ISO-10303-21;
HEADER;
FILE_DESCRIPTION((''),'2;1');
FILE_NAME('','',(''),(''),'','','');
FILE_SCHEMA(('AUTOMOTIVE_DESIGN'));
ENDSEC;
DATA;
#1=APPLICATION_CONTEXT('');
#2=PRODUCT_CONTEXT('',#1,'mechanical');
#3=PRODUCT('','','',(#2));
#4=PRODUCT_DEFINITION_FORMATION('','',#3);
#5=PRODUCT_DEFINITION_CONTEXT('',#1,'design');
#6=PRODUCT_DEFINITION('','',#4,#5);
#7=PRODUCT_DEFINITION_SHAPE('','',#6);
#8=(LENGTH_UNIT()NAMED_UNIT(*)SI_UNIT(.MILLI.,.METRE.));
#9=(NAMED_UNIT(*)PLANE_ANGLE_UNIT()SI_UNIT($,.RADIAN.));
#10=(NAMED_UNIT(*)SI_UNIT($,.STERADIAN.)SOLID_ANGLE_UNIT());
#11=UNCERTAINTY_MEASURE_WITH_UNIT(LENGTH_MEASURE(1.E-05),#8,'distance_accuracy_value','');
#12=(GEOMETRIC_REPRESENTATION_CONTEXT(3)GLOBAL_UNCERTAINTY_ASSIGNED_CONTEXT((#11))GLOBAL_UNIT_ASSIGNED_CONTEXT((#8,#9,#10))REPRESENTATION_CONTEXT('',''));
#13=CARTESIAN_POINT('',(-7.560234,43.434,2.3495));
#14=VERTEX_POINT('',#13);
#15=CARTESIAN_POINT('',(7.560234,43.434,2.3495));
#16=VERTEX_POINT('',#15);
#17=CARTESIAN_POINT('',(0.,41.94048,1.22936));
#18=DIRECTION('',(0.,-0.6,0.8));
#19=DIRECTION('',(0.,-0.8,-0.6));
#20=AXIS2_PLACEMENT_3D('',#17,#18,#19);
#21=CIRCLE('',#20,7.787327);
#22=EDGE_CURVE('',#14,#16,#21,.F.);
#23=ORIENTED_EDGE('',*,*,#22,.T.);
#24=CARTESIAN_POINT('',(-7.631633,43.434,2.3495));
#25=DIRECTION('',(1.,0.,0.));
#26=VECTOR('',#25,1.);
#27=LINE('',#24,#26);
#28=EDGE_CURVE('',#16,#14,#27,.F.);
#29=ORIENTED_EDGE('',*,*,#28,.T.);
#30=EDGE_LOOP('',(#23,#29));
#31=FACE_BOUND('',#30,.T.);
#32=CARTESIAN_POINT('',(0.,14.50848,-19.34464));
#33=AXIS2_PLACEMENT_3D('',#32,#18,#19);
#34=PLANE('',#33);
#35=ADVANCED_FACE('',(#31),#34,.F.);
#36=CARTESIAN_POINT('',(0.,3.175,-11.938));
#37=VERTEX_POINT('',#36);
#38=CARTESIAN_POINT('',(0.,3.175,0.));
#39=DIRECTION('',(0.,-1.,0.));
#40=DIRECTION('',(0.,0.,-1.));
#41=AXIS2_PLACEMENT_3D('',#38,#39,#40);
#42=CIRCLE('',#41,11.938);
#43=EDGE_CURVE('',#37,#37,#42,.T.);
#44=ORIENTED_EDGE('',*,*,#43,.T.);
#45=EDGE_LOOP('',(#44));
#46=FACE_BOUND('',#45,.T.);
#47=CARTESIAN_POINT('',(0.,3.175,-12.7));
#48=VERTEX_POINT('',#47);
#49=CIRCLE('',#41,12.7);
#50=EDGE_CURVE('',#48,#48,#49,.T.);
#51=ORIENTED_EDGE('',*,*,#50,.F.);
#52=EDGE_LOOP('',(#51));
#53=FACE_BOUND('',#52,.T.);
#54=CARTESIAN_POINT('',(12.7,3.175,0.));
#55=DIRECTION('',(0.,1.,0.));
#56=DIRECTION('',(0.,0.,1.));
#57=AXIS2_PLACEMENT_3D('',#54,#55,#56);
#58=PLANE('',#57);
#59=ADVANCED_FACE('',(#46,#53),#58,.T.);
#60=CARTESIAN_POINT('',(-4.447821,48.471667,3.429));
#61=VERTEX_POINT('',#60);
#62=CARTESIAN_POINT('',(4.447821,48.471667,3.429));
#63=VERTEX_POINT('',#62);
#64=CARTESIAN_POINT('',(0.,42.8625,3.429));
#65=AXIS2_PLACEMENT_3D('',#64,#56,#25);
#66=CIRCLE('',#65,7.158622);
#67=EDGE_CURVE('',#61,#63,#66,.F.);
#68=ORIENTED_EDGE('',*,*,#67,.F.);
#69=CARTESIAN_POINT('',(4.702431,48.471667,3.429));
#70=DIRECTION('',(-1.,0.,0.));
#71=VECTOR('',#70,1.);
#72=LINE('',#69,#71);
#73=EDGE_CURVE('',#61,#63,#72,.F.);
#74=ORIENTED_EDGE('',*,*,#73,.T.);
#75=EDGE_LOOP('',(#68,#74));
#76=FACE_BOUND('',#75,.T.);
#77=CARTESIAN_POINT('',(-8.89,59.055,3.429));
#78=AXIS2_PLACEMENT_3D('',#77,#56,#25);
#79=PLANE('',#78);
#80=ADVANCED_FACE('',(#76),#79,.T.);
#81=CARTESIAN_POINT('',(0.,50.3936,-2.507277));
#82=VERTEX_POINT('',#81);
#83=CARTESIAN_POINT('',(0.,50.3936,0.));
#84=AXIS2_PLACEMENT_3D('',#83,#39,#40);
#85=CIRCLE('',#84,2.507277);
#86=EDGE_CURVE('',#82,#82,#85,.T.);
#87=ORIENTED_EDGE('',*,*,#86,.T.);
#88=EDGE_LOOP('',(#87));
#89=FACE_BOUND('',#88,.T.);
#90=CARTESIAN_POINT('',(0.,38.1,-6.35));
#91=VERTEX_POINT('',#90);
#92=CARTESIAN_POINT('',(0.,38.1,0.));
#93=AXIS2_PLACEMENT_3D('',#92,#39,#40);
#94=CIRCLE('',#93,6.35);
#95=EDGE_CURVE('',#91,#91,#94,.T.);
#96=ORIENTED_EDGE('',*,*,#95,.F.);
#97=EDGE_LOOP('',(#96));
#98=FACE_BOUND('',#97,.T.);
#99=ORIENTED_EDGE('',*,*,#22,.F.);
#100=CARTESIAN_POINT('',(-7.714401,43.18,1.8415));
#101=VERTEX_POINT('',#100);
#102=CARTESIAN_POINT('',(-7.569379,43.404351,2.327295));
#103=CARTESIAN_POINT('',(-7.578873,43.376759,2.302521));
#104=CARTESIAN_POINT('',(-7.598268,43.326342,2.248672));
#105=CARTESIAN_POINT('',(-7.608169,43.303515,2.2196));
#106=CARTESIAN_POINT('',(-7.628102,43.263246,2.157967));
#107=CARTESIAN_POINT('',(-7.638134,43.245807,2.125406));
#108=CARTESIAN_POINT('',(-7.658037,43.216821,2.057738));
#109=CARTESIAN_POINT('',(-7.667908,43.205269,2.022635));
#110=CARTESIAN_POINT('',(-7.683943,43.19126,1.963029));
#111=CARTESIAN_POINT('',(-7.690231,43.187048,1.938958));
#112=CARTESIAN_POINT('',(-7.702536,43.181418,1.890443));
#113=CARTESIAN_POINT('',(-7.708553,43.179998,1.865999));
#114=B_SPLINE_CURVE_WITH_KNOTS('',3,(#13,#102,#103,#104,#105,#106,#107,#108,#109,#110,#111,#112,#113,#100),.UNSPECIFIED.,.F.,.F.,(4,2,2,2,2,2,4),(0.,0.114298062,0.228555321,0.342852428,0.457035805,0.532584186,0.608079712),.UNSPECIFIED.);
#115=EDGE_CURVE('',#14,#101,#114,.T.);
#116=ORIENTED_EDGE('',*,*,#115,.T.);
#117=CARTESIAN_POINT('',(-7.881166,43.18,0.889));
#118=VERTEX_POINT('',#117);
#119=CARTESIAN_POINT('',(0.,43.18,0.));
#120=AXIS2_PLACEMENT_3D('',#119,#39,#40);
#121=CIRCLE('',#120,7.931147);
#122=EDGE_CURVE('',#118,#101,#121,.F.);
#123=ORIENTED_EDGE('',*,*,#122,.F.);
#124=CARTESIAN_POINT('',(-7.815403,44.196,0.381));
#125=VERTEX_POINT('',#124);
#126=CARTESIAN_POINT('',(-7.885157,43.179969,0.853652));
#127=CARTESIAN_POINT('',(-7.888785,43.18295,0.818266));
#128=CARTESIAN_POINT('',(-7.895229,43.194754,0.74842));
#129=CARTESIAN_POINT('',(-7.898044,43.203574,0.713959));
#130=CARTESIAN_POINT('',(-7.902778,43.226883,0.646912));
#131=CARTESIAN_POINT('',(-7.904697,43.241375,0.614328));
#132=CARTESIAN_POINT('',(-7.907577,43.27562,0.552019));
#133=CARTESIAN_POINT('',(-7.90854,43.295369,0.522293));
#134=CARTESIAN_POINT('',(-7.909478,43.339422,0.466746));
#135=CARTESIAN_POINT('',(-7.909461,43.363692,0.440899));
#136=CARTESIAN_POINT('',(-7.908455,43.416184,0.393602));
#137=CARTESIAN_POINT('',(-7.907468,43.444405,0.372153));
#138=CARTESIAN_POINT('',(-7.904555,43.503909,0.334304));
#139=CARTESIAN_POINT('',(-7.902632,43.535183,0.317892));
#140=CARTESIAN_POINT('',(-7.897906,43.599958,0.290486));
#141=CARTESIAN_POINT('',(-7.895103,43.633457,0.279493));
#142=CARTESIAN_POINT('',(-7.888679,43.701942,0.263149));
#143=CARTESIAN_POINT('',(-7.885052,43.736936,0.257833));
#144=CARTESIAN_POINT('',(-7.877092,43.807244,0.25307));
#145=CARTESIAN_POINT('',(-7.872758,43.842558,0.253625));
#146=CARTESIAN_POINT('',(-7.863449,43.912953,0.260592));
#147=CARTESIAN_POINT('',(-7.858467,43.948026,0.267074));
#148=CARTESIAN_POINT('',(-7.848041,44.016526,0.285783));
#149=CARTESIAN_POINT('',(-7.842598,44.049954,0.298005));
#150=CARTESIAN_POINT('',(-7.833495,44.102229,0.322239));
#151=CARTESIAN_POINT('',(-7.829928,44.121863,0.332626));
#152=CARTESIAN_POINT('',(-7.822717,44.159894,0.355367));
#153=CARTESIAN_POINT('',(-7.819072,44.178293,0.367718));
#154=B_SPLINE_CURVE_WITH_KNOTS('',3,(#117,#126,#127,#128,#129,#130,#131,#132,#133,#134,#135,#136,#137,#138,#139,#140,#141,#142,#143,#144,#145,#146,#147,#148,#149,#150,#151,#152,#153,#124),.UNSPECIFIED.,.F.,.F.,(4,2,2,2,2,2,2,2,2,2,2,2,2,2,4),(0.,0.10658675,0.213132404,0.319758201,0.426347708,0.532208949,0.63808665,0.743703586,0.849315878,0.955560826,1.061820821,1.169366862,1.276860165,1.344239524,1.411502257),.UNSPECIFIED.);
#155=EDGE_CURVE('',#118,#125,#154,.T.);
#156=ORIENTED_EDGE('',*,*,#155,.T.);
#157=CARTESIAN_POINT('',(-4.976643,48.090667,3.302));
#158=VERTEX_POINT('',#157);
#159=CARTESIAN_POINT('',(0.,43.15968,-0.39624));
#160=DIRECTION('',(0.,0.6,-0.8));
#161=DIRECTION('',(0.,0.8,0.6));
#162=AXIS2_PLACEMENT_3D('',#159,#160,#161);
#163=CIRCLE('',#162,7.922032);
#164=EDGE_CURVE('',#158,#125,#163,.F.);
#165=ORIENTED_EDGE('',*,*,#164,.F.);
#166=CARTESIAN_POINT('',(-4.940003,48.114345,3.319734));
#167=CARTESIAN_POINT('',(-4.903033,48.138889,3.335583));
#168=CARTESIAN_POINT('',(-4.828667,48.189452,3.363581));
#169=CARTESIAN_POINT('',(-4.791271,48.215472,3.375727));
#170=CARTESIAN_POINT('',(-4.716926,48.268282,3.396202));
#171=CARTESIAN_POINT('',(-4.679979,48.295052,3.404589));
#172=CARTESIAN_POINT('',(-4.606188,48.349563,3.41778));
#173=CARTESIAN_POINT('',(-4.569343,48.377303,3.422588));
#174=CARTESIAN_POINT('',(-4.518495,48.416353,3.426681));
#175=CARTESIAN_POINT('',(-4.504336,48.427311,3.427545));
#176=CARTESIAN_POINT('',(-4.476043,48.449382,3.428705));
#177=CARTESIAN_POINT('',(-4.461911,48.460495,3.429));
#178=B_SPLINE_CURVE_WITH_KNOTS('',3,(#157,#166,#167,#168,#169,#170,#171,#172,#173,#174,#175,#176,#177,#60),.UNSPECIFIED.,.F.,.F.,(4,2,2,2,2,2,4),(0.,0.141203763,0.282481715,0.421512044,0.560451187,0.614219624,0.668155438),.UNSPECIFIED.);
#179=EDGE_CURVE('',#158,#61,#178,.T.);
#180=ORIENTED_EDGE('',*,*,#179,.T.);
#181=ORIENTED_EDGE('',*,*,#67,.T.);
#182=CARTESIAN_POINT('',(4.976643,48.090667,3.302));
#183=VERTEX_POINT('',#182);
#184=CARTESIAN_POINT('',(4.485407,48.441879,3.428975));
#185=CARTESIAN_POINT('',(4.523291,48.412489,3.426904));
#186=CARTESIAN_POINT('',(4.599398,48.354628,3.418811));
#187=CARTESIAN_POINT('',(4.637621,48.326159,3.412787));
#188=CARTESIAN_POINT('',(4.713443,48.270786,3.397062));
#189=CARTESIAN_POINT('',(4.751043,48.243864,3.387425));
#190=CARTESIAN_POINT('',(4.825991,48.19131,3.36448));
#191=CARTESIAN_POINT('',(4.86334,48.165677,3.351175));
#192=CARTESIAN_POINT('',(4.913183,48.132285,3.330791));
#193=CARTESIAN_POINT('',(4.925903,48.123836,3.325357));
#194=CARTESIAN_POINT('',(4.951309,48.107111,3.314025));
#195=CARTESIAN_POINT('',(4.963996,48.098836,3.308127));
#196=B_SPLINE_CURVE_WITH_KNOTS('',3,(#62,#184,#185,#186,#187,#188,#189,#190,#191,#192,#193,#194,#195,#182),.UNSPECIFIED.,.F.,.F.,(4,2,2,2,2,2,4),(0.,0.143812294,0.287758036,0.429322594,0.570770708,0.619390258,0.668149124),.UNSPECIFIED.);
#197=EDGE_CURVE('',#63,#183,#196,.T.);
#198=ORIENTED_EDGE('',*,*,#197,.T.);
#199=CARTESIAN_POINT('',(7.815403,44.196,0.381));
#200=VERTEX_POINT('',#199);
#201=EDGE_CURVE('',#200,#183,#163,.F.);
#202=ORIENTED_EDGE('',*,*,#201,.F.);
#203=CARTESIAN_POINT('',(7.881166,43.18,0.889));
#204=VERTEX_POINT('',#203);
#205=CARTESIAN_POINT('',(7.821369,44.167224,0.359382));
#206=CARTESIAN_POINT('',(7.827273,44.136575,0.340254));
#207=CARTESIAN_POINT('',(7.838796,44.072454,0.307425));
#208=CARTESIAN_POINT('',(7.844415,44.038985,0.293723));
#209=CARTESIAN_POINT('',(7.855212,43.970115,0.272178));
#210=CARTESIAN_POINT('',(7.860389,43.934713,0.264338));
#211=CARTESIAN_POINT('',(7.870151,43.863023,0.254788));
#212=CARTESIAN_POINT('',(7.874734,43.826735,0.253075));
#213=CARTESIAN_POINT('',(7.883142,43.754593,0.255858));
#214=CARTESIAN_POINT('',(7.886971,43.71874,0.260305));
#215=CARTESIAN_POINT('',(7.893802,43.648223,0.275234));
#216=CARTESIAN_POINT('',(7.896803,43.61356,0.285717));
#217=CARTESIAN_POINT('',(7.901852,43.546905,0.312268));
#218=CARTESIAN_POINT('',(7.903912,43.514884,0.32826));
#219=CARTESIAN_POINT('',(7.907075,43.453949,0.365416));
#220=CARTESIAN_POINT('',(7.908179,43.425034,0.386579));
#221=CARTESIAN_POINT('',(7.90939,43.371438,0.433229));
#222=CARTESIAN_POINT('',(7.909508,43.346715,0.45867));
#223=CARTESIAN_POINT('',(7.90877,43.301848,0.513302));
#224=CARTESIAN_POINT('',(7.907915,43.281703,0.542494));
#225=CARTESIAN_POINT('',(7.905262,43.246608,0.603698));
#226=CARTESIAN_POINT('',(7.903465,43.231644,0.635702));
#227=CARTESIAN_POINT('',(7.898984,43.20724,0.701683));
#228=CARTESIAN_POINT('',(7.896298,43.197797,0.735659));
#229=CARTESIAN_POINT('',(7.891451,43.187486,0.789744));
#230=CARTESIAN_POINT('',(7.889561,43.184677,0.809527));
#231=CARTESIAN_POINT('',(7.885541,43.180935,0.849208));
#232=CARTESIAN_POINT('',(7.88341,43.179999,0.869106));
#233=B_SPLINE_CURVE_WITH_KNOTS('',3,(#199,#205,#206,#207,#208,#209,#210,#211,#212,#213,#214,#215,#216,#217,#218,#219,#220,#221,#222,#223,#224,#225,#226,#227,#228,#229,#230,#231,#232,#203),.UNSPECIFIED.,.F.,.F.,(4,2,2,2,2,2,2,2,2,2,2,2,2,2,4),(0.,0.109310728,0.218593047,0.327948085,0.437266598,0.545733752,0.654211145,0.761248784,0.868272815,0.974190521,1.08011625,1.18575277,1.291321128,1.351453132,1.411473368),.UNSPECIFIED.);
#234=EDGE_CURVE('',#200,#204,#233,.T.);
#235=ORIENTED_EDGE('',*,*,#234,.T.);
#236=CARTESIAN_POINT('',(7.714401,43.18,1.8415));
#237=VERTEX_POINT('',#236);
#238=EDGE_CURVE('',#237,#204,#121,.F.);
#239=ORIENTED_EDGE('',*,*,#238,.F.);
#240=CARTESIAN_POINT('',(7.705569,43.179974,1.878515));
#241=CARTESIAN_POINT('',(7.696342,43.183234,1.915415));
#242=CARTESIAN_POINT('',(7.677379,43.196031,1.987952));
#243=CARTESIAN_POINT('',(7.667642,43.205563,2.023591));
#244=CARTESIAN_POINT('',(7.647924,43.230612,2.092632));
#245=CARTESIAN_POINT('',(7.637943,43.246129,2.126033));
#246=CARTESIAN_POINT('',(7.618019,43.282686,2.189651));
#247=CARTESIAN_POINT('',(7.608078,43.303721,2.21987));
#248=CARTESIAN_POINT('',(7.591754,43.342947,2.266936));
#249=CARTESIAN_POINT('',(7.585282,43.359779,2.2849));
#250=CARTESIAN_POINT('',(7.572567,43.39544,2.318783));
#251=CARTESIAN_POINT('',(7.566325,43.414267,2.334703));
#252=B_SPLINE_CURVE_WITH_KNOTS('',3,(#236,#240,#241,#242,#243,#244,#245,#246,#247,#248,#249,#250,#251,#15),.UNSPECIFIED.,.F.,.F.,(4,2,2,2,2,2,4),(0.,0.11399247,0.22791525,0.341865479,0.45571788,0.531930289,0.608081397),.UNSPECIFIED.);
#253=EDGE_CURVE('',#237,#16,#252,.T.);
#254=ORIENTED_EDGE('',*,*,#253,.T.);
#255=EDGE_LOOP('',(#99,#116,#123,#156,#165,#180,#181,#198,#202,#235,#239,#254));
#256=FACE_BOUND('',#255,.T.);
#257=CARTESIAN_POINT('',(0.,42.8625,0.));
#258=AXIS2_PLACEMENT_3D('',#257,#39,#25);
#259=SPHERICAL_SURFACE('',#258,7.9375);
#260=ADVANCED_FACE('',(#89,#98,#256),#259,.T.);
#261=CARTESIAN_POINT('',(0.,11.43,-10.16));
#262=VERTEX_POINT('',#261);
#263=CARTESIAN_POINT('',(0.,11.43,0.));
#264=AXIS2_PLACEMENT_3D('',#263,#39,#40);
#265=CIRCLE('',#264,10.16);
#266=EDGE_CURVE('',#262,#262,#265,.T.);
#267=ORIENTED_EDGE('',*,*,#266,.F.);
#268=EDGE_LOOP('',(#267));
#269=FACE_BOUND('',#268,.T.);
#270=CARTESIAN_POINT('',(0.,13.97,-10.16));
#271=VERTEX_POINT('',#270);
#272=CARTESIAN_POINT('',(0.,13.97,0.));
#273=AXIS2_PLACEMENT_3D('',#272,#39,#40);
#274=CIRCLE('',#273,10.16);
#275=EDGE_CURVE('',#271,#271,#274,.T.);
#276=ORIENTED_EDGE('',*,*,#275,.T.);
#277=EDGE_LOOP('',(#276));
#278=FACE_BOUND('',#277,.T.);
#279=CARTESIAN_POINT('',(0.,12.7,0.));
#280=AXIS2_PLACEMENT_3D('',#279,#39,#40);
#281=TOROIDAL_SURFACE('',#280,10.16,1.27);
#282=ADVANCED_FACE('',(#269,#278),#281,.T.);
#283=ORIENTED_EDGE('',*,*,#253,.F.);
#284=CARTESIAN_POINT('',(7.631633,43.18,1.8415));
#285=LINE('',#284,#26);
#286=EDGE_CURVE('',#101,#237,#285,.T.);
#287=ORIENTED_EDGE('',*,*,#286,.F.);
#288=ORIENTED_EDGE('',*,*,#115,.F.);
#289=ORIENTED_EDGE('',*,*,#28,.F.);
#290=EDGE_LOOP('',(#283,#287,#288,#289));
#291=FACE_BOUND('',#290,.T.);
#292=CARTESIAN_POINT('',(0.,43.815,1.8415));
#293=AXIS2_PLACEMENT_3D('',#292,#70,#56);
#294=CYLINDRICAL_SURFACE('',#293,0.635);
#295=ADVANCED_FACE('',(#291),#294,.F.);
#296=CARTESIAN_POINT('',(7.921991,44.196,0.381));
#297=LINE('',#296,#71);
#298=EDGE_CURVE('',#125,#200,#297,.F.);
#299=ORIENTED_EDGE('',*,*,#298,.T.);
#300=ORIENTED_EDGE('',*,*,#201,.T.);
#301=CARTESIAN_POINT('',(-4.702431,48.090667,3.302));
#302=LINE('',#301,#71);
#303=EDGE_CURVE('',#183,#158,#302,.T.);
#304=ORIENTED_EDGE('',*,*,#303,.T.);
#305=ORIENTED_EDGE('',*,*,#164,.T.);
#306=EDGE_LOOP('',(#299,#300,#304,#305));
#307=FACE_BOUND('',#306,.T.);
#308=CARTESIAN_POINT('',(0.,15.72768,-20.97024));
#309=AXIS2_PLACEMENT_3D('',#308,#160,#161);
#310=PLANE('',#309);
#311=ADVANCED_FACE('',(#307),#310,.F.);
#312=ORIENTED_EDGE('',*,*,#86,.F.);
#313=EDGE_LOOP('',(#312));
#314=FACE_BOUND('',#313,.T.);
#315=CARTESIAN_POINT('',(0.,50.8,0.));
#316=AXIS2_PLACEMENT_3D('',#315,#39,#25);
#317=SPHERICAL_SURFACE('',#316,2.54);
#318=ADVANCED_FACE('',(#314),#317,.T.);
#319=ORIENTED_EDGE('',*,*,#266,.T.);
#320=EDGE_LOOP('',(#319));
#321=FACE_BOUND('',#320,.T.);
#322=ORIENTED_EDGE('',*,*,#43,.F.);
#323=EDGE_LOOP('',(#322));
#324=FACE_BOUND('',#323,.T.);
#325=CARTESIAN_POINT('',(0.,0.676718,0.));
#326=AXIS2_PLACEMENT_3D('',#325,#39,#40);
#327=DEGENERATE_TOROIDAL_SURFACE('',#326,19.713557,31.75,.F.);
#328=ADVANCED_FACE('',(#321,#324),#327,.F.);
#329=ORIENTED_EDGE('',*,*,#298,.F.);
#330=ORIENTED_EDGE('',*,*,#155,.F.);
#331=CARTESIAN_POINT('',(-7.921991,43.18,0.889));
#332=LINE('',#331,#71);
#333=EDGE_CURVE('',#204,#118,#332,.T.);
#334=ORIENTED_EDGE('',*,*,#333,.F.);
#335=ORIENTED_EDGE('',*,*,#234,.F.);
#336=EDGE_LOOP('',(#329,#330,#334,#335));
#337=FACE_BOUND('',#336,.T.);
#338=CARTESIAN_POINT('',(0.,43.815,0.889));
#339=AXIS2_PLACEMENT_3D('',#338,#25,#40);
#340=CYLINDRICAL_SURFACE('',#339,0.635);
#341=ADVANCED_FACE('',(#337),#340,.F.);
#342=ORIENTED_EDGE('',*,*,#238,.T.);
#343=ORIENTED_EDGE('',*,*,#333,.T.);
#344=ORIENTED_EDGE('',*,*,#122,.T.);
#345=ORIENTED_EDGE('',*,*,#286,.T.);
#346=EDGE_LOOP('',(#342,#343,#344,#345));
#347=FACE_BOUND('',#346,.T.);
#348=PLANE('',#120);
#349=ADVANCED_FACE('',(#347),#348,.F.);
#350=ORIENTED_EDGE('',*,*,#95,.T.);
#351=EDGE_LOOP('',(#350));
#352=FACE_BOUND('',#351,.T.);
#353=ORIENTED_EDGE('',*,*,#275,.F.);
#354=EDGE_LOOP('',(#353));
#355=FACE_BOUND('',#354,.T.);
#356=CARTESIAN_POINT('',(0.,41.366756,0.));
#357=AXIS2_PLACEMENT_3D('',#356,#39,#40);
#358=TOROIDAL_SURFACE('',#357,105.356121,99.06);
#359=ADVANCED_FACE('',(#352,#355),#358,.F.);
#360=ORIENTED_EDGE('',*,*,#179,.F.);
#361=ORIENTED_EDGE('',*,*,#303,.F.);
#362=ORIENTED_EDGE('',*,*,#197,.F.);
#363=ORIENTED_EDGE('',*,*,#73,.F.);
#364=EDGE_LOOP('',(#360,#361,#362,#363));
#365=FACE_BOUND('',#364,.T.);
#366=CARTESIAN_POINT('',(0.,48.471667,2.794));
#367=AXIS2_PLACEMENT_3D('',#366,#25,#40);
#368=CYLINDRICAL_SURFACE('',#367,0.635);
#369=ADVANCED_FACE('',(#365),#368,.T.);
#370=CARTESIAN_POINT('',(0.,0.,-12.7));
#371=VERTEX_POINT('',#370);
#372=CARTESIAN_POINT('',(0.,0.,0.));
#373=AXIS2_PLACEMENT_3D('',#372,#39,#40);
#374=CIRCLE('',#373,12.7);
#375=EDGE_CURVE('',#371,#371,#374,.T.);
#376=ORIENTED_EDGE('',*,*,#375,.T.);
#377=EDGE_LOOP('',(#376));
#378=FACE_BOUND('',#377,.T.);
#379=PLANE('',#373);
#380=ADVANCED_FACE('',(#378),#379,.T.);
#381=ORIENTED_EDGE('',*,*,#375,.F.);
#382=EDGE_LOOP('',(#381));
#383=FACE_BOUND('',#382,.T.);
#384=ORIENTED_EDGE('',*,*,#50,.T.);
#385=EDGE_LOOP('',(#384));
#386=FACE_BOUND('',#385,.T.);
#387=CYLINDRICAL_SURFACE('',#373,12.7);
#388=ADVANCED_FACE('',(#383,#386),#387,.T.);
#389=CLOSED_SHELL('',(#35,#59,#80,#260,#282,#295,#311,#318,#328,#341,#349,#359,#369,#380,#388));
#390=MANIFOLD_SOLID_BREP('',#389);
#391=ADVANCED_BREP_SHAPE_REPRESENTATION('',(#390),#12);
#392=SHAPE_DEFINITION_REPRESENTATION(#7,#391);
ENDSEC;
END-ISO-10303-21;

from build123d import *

# Parameters (mm, degrees)
SKETCH4_2_W        = 17.78
SKETCH4_2_H        = 2.54
CUT_EXTRUDE4_DEPTH = 10.795
FILLET1_R          = 0.635


with BuildPart() as part:
    # Sketch1 → Revolve1 (revolve)
    with BuildSketch(Plane.XY, mode=Mode.PRIVATE) as revolve1_sk:
        with BuildLine():
            Line((0, 0), (12.7, 0))
            Line((12.7, 0), (12.7, 3.175))
            Line((12.7, 3.175), (11.938, 3.175))
            ThreePointArc((11.938, 3.175), (11.324664102, 7.361873807), (10.16, 11.43))
            ThreePointArc((10.16, 11.43), (11.43, 12.7), (10.16, 13.97))
            ThreePointArc((10.16, 13.97), (7.508321203, 25.917103348), (6.35, 38.1))
            ThreePointArc((6.35, 38.1), (7.576014134, 45.230603901), (2.507277216, 50.3936))
            ThreePointArc((2.507277216, 50.3936), (1.934406369, 52.446108137), (0, 53.34))
            Line((0, 53.34), (0, 50.8))
            Line((0, 50.8), (0, 0))
        make_face()
    revolve(revolve1_sk.sketch.rotate(Axis((0, 0, 0), (0, 1, 0)), 90), axis=Axis((0, 0, 0), (0, 1, 0)))

    # Sketch4 → Cut-Loft1 section 0
    with BuildSketch(Plane(origin=(0, 48.26, 0), x_dir=(1, 0, 0), z_dir=(0, 1, 0))):
        with BuildLine():
            Line((-8.89, -3.429), (8.89, -3.429))
            Line((8.89, -3.429), (8.89, -5.969))
            Line((8.89, -5.969), (-8.89, -5.969))
            Line((-8.89, -5.969), (-8.89, -3.429))
        make_face()
    # Sketch6 → Cut-Loft1 section 1
    with BuildSketch(Plane(origin=(0, 43.18, 0), x_dir=(1, 0, 0), z_dir=(0, 1, 0))):
        with BuildLine():
            Line((-8.89, -2.159), (8.89, -2.159))
            Line((8.89, -2.159), (8.89, 0.381))
            Line((8.89, 0.381), (-8.89, 0.381))
            Line((-8.89, 0.381), (-8.89, -2.159))
        make_face()
    loft(mode=Mode.SUBTRACT)

    # Sketch4<2> → Cut-Extrude4 (cut)
    with BuildSketch(Plane(origin=(0, 48.26, 0), x_dir=(1, 0, 0), z_dir=(0, 1, 0))):
        with Locations((0, -4.699)):
            Rectangle(SKETCH4_2_W, SKETCH4_2_H)
    extrude(amount=CUT_EXTRUDE4_DEPTH, mode=Mode.SUBTRACT)

    # Fillet1
    fillet1_edges = [part.edges().sort_by_distance(p)[0] for p in [
        (0, 43.18, 2.159),
        (0, 48.26, 3.429),
        (0, 43.18, -0.381),
    ]]
    fillet(fillet1_edges, radius=FILLET1_R)


solid = part.part
